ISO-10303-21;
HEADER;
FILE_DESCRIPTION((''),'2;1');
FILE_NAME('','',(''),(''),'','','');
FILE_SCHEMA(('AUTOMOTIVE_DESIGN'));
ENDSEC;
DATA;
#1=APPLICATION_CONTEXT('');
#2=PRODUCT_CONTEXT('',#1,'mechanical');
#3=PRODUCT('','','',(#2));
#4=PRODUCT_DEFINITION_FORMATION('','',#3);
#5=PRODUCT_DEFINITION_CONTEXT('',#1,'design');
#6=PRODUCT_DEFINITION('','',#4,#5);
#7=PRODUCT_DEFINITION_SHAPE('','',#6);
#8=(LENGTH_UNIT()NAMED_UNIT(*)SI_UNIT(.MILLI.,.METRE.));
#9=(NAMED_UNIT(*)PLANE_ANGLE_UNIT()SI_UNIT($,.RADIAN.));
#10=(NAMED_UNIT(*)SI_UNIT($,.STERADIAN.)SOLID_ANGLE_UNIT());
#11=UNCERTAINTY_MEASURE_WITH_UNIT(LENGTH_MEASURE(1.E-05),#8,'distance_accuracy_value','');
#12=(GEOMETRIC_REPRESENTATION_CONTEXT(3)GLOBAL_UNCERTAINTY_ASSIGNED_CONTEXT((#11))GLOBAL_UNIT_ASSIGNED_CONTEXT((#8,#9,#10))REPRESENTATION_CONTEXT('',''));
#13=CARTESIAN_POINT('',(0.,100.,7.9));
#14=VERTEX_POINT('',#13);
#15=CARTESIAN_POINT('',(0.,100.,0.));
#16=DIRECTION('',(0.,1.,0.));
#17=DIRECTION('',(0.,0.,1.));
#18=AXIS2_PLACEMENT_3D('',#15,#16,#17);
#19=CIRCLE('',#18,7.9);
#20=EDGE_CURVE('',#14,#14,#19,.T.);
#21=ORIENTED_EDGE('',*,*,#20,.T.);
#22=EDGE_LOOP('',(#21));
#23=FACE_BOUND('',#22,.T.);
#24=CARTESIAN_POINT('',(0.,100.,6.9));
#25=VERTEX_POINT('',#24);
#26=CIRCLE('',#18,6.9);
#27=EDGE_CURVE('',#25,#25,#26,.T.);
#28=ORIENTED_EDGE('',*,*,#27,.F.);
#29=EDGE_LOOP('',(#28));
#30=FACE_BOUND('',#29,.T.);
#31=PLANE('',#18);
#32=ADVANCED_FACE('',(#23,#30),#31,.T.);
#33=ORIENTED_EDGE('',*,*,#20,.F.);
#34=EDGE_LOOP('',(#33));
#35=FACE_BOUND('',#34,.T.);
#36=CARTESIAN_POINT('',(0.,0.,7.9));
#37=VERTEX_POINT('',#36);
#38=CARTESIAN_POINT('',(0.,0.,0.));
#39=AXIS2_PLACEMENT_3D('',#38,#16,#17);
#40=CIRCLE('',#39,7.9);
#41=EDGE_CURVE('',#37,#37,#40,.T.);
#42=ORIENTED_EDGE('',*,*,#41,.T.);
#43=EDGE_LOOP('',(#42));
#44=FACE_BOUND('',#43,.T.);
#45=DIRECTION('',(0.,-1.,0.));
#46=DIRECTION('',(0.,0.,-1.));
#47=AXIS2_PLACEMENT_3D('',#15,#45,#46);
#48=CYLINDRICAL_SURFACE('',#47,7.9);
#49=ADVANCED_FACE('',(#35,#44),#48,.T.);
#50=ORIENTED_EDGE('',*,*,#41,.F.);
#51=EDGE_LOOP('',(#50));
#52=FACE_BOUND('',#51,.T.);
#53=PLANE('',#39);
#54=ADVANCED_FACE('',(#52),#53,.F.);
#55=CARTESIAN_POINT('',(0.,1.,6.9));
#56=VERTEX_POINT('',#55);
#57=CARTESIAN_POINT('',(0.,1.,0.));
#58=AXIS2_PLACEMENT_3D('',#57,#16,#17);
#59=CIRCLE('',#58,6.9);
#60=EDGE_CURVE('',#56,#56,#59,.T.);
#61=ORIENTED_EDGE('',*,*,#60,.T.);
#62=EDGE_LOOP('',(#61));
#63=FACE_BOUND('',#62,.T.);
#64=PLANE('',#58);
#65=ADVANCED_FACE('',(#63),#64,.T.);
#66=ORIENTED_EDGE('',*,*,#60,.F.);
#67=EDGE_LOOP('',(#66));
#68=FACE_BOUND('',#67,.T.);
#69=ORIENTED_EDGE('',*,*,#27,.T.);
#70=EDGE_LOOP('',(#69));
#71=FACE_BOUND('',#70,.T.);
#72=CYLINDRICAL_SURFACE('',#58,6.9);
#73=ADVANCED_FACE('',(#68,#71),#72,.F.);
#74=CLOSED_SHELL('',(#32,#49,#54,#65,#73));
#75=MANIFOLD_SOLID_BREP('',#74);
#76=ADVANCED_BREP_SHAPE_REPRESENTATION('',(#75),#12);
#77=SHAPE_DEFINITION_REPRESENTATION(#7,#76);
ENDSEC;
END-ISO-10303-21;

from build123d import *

# Parameters (mm, degrees)
SKETCH1_R           = 7.9
BOSS_EXTRUDE1_DEPTH = 100
SKETCH2_R           = 6.9
CUT_EXTRUDE1_DEPTH  = 99


with BuildPart() as part:
    # Sketch1 → Boss-Extrude1 (new body)
    with BuildSketch(Plane(origin=(0, 0, 0), x_dir=(1, 0, 0), z_dir=(0, 1, 0))):
        with Locations(Location((0, 0, 0), (0, 0, 270))):
            Circle(SKETCH1_R)
    extrude(amount=BOSS_EXTRUDE1_DEPTH)

    # Sketch2 → Cut-Extrude1 (cut)
    with BuildSketch(Plane(origin=(0, 100, 0), x_dir=(1, 0, 0), z_dir=(0, 1, 0))):
        with Locations(Location((0, 0, 0), (0, 0, 270))):
            Circle(SKETCH2_R)
    extrude(amount=-CUT_EXTRUDE1_DEPTH, mode=Mode.SUBTRACT)


solid = part.part
